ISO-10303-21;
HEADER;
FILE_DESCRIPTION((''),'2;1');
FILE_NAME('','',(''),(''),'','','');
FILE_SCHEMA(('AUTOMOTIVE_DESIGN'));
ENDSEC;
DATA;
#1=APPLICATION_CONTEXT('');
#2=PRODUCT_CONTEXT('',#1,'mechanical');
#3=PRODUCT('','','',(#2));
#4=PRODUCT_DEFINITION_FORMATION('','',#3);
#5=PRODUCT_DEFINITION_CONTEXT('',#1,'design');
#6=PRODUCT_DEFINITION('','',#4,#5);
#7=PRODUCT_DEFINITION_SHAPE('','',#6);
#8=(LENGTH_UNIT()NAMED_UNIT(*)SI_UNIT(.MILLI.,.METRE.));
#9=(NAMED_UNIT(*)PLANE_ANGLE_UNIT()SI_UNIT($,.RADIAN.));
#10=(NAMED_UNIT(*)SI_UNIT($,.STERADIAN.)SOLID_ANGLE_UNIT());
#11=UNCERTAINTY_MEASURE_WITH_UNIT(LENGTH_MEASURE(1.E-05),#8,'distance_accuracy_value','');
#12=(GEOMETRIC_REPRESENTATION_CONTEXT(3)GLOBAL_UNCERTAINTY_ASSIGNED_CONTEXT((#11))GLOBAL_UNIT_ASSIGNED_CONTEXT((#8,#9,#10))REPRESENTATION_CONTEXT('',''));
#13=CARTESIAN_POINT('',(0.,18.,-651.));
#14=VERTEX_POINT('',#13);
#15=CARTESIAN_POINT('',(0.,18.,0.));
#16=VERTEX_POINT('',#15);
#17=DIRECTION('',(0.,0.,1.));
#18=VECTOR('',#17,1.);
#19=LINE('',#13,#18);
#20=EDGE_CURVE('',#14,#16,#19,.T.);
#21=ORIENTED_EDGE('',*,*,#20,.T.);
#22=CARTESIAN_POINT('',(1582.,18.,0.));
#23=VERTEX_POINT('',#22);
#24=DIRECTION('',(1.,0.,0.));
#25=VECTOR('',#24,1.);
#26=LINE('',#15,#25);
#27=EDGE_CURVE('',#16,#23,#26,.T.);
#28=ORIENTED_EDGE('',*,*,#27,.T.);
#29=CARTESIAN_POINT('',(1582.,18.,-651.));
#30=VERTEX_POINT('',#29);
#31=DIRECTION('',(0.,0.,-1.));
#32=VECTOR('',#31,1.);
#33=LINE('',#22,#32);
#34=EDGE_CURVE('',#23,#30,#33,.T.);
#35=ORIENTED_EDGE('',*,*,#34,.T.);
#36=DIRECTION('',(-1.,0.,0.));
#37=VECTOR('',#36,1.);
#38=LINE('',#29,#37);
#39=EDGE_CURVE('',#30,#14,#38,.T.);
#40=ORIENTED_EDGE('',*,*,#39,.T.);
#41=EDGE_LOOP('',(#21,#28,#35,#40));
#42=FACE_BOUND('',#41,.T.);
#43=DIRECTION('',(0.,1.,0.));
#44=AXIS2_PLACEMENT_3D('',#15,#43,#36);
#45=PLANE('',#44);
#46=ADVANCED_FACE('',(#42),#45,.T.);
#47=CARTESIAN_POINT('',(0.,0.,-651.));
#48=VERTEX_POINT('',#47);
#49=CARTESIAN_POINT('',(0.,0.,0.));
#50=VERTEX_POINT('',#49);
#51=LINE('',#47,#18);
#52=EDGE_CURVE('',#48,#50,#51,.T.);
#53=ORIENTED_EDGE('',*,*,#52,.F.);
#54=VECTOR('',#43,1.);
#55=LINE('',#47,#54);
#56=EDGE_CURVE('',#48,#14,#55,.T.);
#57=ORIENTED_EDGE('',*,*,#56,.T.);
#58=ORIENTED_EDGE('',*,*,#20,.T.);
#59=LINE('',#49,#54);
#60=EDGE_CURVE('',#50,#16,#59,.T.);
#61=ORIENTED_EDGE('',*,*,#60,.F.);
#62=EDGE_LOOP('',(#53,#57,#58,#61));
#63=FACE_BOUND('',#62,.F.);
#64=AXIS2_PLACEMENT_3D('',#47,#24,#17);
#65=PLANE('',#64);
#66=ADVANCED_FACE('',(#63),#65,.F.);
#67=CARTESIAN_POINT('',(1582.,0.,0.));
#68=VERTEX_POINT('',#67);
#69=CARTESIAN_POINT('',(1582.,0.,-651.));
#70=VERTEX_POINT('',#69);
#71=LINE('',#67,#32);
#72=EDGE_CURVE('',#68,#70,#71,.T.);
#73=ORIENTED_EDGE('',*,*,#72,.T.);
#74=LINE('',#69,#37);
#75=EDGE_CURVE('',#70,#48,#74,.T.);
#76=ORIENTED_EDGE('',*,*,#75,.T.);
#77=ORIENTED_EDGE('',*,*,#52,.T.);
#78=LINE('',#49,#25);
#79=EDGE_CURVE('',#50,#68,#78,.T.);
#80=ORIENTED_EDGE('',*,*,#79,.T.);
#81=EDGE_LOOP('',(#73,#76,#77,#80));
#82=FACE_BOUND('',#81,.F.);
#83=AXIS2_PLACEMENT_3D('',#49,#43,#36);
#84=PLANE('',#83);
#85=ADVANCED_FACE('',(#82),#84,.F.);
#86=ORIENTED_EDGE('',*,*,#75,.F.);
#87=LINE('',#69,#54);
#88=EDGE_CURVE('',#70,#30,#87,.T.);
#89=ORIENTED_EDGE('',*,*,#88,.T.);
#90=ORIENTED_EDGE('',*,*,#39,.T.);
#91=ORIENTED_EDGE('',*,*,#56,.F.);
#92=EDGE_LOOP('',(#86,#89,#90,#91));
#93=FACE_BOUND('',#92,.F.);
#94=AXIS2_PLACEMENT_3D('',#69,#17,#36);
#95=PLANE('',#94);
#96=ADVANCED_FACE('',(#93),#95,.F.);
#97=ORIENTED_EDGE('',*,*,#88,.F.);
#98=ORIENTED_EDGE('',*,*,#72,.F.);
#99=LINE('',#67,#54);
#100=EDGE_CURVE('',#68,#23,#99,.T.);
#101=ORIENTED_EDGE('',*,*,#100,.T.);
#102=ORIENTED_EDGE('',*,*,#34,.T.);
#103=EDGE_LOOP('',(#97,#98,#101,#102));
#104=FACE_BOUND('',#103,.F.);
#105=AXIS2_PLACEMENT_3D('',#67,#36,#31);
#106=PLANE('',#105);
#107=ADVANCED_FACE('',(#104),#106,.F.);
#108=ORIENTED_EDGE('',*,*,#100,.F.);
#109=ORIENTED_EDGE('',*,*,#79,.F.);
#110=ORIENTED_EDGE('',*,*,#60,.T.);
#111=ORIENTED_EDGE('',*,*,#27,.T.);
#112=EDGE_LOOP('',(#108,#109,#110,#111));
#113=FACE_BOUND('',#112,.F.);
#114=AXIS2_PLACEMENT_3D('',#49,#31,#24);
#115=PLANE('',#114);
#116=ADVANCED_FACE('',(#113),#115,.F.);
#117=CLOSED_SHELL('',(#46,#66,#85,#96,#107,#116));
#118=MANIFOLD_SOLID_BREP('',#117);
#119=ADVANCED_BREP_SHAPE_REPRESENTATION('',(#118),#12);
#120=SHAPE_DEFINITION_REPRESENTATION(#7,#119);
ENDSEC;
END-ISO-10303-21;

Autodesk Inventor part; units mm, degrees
ref_plane "YZ Plane" through (0, 0, 0) normal (1, 0, 0) x (0, 1, 0)
ref_plane "XZ Plane" through (0, 0, 0) normal (0, 1, 0) x (-1, 0, 0)
ref_plane "XY Plane" through (0, 0, 0) normal (0, 0, 1) x (1, 0, 0)
sketch "Sketch2" plane through (0, 0, 0) normal (0, 1, 0) x (-1, 0, 0)
  line L0 (0, 0) -> (-1582, 0)
  line L1 (-1582, 0) -> (-1582, -651)
  line L2 (-1582, -651) -> (0, -651)
  line L3 (0, -651) -> (0, 0)
  dimension "d4" = 1582
  dimension "d5" = 651
extrude "Extrusion2" add sketch "Sketch2" along normal blind 18
equation "\"d5\" = Profundidad"
equation "\"Profundidad\" = 651"
properties part number "tablero_granded" material "Wood (Birch)"
